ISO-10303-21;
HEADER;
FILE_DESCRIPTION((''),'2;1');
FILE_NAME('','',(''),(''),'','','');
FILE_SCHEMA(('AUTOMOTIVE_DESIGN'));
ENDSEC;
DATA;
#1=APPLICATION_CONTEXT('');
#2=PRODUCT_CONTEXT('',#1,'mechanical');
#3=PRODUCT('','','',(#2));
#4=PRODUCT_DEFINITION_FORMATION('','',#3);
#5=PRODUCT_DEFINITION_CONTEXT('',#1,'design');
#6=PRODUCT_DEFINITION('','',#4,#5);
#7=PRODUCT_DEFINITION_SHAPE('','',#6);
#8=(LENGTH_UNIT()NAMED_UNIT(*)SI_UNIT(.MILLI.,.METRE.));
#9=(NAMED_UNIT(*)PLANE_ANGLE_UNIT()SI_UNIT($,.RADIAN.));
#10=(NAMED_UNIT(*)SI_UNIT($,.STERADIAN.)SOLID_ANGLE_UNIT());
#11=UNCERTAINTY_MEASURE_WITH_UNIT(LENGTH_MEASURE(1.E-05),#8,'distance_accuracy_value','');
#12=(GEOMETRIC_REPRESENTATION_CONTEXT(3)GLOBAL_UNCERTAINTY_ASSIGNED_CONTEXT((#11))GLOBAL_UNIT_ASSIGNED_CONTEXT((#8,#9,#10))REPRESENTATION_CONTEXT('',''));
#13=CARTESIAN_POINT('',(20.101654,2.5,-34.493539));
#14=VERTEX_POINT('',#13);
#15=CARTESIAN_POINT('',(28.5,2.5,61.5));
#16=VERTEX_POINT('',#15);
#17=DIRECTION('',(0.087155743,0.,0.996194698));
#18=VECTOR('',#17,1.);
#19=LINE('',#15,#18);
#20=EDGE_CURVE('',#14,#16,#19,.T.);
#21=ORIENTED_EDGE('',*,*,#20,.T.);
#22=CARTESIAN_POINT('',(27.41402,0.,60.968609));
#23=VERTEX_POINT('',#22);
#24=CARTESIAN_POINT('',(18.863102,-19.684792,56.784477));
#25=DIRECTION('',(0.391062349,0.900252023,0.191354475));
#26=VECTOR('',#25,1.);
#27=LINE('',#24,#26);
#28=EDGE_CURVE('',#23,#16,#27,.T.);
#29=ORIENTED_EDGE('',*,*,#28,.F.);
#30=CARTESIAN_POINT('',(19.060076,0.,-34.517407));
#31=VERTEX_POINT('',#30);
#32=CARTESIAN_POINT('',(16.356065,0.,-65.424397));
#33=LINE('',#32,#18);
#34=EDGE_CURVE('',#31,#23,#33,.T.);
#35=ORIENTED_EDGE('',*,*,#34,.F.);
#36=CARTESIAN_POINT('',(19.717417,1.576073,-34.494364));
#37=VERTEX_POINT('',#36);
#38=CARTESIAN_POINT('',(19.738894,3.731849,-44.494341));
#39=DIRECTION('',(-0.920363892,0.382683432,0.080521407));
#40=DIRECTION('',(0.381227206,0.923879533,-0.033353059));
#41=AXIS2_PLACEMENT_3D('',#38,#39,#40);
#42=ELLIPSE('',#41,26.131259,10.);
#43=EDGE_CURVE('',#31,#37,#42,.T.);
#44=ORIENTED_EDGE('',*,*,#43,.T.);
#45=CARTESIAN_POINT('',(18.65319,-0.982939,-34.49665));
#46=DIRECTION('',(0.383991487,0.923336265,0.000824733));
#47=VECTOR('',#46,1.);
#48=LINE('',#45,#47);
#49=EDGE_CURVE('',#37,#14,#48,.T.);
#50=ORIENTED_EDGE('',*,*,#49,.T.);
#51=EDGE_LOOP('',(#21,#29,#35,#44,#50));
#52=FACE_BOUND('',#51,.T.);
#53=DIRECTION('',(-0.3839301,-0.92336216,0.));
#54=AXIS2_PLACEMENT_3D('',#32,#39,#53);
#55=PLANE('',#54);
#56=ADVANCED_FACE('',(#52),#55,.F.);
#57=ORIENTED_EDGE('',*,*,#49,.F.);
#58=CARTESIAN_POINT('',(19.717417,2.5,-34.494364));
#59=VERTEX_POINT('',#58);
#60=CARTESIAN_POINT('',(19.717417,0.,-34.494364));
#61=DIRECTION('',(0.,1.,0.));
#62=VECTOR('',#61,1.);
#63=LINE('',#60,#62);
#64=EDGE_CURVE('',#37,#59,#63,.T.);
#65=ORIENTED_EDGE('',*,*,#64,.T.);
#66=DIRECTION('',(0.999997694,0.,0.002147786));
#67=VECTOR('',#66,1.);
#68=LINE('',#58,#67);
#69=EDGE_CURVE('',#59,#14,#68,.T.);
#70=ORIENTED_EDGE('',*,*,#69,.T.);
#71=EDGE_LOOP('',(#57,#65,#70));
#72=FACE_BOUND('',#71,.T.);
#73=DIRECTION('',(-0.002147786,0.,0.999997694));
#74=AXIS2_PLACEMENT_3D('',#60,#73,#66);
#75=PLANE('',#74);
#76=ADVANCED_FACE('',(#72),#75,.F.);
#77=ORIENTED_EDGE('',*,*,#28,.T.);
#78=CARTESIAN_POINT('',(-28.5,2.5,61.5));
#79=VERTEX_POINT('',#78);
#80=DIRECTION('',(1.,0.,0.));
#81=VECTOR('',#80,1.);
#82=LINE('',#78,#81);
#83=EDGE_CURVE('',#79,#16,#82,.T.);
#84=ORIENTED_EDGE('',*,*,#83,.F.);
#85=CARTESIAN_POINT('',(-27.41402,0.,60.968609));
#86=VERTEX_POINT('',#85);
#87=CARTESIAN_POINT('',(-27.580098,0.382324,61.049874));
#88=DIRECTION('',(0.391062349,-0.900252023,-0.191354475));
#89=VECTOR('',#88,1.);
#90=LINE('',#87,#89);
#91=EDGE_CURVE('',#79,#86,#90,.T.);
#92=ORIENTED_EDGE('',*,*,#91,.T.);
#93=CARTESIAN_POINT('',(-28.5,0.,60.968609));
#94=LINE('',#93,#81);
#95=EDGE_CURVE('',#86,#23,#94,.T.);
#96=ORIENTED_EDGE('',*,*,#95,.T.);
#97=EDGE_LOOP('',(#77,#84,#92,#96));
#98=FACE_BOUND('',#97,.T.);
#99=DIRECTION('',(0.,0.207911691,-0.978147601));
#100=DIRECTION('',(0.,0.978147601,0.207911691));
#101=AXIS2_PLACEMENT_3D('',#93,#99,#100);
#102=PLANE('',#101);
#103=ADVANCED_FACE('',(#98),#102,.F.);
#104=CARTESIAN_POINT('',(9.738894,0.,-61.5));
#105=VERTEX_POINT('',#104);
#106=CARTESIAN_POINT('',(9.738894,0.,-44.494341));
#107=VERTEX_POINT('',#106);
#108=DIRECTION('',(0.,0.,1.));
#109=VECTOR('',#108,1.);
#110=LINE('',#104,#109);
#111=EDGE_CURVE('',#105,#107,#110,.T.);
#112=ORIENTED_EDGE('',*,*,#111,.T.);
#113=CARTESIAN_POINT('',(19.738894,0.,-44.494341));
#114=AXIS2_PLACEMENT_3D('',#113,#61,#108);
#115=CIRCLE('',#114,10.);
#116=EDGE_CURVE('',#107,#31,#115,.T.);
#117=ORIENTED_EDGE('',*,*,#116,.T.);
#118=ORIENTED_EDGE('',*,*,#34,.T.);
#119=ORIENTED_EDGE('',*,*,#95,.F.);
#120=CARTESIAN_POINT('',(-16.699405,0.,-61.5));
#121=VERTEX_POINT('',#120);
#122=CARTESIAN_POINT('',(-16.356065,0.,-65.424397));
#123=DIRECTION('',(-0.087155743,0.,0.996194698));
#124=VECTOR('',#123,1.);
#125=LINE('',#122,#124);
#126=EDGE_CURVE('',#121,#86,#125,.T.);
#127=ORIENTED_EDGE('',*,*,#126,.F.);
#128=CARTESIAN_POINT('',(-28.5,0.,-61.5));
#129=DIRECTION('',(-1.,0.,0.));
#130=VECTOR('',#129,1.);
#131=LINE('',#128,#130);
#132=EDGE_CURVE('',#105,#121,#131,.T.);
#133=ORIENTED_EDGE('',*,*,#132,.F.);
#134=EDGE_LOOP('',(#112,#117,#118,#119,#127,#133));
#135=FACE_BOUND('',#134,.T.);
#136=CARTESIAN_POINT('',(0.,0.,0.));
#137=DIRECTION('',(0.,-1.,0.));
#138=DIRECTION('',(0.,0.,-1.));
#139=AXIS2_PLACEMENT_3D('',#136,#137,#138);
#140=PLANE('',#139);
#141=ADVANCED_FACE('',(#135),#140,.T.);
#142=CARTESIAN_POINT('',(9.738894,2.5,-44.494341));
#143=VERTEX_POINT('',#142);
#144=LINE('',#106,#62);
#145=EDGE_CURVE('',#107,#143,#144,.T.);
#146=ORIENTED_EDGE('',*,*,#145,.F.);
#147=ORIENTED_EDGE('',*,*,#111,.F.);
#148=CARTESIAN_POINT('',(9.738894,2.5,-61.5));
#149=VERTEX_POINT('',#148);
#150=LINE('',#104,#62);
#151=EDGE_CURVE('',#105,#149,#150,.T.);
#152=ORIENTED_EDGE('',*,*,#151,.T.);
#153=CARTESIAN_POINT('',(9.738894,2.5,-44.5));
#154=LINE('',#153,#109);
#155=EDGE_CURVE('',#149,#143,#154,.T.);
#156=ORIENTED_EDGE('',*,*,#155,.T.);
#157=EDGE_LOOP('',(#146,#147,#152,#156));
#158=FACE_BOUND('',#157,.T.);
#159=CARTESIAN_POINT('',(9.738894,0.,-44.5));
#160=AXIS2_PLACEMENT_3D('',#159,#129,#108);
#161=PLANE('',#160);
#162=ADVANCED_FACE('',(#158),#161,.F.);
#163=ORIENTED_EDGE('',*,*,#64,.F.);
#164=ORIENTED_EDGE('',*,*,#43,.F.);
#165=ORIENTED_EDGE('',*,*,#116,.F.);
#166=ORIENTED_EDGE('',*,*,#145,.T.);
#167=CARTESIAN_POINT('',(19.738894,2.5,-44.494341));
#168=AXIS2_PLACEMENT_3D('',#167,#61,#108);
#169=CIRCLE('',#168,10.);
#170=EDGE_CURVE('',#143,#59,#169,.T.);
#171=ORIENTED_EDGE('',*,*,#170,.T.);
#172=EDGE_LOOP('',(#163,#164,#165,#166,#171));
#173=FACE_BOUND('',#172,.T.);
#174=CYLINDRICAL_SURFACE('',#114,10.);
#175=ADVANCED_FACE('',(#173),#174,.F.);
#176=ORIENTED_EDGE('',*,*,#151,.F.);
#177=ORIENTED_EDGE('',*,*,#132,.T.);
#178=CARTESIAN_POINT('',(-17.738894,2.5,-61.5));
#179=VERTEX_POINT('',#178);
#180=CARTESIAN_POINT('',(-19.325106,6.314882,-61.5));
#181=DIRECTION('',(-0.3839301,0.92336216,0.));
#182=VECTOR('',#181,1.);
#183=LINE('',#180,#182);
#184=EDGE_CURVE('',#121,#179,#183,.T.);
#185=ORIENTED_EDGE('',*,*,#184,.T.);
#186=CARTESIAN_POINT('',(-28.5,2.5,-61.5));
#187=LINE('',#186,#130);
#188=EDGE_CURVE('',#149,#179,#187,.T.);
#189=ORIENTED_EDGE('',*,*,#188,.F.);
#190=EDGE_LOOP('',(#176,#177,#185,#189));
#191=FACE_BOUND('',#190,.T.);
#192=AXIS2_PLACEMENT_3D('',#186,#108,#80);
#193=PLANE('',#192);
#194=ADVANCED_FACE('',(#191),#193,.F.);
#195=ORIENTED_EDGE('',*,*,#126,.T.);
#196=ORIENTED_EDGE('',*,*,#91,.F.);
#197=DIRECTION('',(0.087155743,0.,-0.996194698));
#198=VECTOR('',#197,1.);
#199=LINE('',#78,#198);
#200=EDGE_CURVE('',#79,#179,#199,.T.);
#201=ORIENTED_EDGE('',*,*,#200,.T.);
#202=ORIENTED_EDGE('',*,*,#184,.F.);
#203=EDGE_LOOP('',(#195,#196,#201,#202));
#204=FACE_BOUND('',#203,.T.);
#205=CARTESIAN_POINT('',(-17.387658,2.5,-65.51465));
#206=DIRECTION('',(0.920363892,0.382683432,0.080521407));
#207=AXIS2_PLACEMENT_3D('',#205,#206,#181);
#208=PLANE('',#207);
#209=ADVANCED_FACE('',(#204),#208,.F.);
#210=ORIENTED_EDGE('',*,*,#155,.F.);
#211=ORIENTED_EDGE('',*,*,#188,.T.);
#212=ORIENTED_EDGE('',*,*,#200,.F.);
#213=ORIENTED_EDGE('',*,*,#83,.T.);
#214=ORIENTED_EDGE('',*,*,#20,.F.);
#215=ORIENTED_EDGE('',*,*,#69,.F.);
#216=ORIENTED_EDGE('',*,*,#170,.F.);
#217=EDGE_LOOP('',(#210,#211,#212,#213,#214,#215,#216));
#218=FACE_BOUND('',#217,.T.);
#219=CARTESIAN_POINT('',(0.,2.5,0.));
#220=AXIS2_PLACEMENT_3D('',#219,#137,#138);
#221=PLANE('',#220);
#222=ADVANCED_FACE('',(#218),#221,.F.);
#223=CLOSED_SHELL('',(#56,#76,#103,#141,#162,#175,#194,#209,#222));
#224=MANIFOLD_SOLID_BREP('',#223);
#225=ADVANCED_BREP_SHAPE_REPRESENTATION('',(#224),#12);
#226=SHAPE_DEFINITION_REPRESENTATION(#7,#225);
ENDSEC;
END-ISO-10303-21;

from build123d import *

# Parameters (mm, degrees)
SKIZZE1_W                            = 57
SKIZZE1_H                            = 123
AUFSATZ_LINEAR_AUSTRAGEN1_DEPTH      = 2.5
SCHNITT_LINEAR_AUSTRAGEN1_DEPTH      = 84.889808678
SCHNITT_LINEAR_AUSTRAGEN2_DEPTH      = 68.828828679
SCHNITT_LINEAR_AUSTRAGEN3_DEPTH      = 70.726045338
SCHNITT_LINEAR_AUSTRAGEN3_DEPTH_BACK = 70.726045338
SCHNITT_LINEAR_AUSTRAGEN4_DEPTH      = 70.47454308
SCHNITT_LINEAR_AUSTRAGEN4_DEPTH_BACK = 70.47454308
SCHNITT_LINEAR_AUSTRAGEN5_DEPTH      = 68.828828679


with BuildPart() as part:
    # Skizze1 → Aufsatz-Linear austragen1 (new body)
    with BuildSketch(Plane(origin=(0, 0, 0), x_dir=(1, 0, 0), z_dir=(0, 1, 0))):
        Rectangle(SKIZZE1_W, SKIZZE1_H)
    extrude(amount=AUFSATZ_LINEAR_AUSTRAGEN1_DEPTH)

    # Skizze2 → Schnitt-Linear austragen1 (cut, through all)
    with BuildSketch(Plane(origin=(28.5, 0, 0), x_dir=(0, 0, -1), z_dir=(1, 0, 0))):
        Polygon((-61.5, 2.5), (-61.5, 0), (-60.968608596, 0), align=None)
    extrude(amount=-SCHNITT_LINEAR_AUSTRAGEN1_DEPTH, mode=Mode.SUBTRACT)

    # Skizze3 → Schnitt-Linear austragen2 (cut, through all)
    with BuildSketch(Plane(origin=(0, 2.5, 0), x_dir=(1, 0, 0), z_dir=(0, 1, 0))):
        Polygon((-28.5, -61.5), (-17.738894386, 61.5), (-28.5, 61.5), align=None)
        Polygon((28.5, -61.5), (17.738894386, 61.5), (28.5, 61.5), align=None)
    extrude(amount=-SCHNITT_LINEAR_AUSTRAGEN2_DEPTH, mode=Mode.SUBTRACT)

    # Skizze5 → Schnitt-Linear austragen3 (cut, two sides: drawn at the far end of the back side and taken through both)
    with BuildSketch(Plane(origin=(0.175618176, 0, 2.007324937), x_dir=(0, -1, 0), z_dir=(0.08715574274765484, 0, 0.9961946980917459)).offset(-SCHNITT_LINEAR_AUSTRAGEN3_DEPTH_BACK)):
        Polygon((0.008562414, 23.031470717), (-2.5, 23.031470717), (0, 21.995936811), align=None)
    extrude(amount=SCHNITT_LINEAR_AUSTRAGEN3_DEPTH + SCHNITT_LINEAR_AUSTRAGEN3_DEPTH_BACK, mode=Mode.SUBTRACT)

    # Skizze6 → Schnitt-Linear austragen4 (cut, two sides: drawn at the far end of the back side and taken through both)
    with BuildSketch(Plane(origin=(-0.152372814, 0, 1.741629235), x_dir=(0, 1, 0), z_dir=(-0.08715574274766175, 0, 0.9961946980917452)).offset(-SCHNITT_LINEAR_AUSTRAGEN4_DEPTH_BACK)):
        Polygon((2.5, 23.031470717), (0, 21.995936811), (0, 23.031470717), align=None)
    extrude(amount=SCHNITT_LINEAR_AUSTRAGEN4_DEPTH + SCHNITT_LINEAR_AUSTRAGEN4_DEPTH_BACK, mode=Mode.SUBTRACT)

    # Skizze8 → Schnitt-Linear austragen5 (cut, through all)
    with BuildSketch(Plane(origin=(0, 2.5, 0), x_dir=(1, 0, 0), z_dir=(0, 1, 0))):
        with BuildLine():
            Line((17.738894386, 61.5), (9.738894386, 61.5))
            Line((9.738894386, 61.5), (9.738894386, 44.5))
            Line((9.738894386, 44.5), (9.738894386, 44.494341137))
            ThreePointArc((9.738894386, 44.494341137), (12.660237078, 37.430870976), (19.717416528, 34.494364202))
            Line((19.717416528, 34.494364202), (20.101653571, 34.493538941))
            Line((20.101653571, 34.493538941), (17.738894386, 61.5))
        make_face()
    extrude(amount=-SCHNITT_LINEAR_AUSTRAGEN5_DEPTH, mode=Mode.SUBTRACT)


solid = part.part
